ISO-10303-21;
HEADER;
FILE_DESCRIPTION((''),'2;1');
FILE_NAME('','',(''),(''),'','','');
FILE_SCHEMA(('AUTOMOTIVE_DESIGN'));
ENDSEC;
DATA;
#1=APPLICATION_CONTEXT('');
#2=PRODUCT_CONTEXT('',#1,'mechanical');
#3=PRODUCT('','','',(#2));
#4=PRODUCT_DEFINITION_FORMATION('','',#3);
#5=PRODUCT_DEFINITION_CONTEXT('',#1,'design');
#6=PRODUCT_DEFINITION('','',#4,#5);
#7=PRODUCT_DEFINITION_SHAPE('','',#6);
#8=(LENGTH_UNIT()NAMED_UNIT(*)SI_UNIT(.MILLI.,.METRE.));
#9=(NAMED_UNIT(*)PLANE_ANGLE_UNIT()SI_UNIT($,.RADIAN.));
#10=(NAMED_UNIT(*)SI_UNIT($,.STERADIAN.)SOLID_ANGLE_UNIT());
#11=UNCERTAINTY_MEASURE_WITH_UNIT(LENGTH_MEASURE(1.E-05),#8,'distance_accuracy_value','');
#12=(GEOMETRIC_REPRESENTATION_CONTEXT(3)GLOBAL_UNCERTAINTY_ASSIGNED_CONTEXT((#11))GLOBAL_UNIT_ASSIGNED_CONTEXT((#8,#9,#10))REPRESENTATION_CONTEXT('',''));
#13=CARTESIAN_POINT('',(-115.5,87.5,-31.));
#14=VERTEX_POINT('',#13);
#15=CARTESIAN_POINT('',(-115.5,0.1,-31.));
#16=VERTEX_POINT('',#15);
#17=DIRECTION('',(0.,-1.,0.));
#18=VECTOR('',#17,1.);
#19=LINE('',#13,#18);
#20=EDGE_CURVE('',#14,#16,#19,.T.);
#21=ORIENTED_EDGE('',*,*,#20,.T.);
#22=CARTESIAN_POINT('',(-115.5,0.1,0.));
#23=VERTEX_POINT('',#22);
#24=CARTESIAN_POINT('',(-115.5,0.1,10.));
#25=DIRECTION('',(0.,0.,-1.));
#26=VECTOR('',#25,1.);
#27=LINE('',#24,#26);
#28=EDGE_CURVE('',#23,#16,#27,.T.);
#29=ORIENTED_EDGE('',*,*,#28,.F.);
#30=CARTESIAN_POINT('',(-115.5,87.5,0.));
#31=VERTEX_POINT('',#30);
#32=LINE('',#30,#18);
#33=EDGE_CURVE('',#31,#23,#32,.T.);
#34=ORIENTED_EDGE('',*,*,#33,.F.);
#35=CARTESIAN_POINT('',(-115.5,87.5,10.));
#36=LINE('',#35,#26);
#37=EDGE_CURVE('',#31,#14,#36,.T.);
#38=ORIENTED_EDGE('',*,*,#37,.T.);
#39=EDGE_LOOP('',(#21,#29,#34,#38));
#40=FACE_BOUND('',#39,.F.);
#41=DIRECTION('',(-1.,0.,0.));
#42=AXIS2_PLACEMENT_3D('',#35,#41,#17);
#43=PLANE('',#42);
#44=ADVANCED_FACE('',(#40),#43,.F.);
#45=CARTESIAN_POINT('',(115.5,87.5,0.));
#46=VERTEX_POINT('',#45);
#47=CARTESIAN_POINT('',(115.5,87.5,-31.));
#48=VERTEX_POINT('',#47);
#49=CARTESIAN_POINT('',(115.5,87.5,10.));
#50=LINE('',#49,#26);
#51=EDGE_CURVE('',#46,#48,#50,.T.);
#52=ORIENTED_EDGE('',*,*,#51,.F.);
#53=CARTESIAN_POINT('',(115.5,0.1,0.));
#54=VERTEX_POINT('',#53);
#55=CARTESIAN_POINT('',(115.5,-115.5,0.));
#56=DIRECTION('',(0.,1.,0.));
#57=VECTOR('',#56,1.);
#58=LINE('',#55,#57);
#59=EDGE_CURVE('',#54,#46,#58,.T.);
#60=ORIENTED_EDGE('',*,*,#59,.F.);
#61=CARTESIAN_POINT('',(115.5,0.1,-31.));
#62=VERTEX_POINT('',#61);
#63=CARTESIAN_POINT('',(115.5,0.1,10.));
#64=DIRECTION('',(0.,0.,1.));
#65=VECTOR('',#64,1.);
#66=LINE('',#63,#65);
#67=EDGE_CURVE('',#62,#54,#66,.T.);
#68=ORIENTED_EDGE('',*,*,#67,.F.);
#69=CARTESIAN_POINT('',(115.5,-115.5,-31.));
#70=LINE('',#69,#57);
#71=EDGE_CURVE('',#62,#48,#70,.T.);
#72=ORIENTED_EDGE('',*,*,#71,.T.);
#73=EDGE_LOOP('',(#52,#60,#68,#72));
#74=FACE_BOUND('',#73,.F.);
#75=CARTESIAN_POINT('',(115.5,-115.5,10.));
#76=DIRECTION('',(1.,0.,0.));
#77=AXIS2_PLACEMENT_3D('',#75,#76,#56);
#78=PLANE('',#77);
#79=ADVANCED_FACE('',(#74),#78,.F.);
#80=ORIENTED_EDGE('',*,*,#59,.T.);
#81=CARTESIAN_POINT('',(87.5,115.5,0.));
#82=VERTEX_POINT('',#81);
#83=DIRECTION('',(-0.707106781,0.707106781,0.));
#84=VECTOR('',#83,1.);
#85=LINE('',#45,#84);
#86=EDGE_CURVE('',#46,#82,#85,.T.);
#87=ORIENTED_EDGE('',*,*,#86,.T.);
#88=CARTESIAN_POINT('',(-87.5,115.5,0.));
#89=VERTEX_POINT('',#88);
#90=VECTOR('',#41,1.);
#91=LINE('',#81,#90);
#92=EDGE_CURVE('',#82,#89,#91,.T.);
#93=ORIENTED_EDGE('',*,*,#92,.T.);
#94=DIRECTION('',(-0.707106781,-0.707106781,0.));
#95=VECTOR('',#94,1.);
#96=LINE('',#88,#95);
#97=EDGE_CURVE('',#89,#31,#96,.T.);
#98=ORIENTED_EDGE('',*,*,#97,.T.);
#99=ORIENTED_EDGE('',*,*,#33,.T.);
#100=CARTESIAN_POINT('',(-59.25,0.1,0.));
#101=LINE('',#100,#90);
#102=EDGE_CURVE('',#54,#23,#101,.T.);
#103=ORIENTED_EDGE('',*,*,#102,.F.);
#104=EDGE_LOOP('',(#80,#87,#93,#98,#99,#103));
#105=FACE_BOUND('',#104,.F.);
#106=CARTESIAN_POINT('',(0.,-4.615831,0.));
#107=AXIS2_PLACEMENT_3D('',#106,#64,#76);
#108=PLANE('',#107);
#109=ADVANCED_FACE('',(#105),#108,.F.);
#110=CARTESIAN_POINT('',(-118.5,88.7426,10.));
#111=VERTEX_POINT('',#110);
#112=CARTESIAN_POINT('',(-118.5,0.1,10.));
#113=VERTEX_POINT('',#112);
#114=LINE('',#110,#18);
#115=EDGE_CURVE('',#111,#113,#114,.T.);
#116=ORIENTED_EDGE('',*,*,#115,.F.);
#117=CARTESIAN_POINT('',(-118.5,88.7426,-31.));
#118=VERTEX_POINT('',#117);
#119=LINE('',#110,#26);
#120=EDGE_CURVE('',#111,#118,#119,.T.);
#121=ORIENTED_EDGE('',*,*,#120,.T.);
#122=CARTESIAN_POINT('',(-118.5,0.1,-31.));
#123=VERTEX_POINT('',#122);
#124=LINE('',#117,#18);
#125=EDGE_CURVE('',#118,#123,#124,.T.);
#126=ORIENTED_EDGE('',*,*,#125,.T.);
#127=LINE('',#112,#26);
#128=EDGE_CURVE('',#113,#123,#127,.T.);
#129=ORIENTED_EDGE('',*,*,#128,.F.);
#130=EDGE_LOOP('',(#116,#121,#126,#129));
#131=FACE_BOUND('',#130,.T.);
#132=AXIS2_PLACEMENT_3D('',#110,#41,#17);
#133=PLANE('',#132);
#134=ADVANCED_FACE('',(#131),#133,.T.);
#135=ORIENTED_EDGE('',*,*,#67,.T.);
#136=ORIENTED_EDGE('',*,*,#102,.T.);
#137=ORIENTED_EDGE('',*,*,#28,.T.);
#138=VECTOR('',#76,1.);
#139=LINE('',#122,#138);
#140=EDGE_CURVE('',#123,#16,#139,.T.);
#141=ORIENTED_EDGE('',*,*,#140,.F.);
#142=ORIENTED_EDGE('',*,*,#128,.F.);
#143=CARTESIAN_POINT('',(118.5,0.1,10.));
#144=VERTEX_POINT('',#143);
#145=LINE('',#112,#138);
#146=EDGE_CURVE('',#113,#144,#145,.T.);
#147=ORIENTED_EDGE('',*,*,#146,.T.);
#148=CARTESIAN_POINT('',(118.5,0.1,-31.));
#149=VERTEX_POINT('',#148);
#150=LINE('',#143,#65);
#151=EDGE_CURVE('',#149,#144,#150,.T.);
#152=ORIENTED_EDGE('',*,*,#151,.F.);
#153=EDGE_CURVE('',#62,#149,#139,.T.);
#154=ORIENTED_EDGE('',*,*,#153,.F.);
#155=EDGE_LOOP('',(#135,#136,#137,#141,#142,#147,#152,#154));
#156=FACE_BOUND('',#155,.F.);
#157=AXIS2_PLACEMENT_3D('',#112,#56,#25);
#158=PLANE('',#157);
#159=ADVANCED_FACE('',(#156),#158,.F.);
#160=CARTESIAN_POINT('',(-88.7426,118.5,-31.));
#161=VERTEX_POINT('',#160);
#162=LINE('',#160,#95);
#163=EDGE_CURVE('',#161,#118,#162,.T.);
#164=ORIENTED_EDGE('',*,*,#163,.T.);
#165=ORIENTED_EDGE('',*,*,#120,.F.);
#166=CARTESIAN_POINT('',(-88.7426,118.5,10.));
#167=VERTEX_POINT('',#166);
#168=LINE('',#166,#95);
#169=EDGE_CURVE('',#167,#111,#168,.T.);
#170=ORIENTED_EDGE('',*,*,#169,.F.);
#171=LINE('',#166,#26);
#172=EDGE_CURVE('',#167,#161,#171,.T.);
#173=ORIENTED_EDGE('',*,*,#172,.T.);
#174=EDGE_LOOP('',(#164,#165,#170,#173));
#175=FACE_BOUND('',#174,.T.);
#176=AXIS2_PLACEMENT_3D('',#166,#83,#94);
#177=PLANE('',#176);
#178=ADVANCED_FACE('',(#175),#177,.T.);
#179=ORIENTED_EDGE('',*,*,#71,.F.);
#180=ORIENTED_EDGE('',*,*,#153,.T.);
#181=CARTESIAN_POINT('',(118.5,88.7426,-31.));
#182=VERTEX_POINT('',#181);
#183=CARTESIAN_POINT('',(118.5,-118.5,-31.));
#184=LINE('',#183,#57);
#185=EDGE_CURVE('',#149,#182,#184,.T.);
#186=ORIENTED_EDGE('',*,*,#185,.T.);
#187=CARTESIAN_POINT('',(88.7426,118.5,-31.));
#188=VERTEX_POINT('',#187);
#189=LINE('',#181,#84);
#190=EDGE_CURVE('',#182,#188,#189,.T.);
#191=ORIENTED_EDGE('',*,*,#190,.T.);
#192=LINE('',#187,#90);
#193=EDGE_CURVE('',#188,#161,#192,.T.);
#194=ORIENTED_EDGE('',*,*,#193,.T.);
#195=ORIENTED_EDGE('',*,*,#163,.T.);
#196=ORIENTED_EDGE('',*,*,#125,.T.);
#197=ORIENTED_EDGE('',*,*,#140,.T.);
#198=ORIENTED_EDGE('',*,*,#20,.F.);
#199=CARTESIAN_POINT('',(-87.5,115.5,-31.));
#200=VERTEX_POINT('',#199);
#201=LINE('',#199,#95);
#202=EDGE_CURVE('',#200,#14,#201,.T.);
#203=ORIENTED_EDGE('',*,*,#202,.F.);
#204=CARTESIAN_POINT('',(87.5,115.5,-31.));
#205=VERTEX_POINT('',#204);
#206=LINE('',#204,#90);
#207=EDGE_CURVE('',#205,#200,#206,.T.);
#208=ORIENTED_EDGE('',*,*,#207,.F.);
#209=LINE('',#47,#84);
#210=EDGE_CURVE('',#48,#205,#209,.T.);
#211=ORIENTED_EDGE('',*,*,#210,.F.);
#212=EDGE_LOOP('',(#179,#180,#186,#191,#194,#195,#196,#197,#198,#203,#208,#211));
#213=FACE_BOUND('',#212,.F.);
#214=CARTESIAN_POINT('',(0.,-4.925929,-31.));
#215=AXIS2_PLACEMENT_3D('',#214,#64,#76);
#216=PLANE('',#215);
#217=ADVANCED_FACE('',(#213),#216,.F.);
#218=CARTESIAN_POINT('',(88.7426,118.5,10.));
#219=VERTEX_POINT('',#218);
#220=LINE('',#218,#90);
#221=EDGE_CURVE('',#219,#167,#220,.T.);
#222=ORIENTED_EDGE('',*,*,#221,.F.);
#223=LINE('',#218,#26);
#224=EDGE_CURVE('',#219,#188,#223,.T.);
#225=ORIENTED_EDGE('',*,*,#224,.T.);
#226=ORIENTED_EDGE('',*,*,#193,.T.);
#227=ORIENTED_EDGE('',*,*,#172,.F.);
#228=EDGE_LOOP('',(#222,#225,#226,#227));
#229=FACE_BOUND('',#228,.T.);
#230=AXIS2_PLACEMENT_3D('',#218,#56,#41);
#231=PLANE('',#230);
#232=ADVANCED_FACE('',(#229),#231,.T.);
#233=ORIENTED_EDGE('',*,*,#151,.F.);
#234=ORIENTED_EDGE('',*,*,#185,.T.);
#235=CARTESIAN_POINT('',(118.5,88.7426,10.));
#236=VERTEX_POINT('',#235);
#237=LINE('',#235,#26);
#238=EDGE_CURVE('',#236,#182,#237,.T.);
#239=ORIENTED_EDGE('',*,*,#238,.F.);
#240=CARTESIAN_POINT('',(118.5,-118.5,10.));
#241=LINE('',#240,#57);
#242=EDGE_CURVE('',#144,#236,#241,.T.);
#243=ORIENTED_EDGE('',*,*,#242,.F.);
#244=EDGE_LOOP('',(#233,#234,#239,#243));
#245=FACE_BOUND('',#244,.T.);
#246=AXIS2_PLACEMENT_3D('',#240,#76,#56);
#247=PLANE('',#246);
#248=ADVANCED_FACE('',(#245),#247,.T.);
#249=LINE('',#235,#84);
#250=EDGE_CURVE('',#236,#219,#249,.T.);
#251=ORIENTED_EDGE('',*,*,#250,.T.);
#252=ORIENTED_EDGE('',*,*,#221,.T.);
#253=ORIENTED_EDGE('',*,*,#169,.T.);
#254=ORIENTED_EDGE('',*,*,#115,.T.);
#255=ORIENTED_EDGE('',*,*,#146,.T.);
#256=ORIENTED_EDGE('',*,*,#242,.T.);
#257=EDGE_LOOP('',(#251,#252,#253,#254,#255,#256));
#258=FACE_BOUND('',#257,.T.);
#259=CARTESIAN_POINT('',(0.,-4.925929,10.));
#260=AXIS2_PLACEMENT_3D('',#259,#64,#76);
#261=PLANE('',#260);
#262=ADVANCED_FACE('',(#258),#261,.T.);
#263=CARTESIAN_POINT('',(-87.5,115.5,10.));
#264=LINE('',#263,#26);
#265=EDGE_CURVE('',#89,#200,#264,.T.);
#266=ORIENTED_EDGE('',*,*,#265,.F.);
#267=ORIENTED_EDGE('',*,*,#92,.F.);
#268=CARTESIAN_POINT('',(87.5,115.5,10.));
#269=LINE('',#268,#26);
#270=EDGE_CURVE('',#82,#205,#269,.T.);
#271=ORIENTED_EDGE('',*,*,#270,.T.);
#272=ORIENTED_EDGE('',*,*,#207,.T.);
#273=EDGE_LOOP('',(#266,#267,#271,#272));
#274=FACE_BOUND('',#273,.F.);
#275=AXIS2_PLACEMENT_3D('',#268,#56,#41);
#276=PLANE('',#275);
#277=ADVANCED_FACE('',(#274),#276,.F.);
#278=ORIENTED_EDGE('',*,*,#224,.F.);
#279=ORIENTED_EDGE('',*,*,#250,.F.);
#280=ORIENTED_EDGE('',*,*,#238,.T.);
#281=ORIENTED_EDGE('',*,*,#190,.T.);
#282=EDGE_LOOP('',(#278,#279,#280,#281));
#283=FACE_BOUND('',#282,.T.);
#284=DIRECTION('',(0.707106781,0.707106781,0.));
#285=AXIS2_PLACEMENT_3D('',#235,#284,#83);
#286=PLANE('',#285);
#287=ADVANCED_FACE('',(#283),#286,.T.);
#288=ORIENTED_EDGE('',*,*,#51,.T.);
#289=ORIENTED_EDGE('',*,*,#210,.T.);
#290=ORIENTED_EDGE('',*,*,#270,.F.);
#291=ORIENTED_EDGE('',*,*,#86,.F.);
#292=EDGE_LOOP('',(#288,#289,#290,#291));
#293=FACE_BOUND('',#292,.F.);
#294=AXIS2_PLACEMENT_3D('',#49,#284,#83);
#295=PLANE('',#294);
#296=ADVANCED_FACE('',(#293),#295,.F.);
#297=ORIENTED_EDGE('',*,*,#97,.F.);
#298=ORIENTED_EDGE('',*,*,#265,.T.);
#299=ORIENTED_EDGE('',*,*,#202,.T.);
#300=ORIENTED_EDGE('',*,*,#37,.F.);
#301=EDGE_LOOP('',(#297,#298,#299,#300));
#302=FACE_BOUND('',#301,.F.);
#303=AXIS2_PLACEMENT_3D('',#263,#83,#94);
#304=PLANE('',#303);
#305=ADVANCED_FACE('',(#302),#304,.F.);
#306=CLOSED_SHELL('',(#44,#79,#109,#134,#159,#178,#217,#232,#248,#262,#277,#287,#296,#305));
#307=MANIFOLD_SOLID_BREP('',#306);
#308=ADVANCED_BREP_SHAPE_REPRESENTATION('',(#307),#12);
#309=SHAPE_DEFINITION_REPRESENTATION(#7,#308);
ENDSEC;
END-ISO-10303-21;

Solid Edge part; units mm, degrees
sketch "Sketch1" plane through (0, 0, 0) normal (0, 0, 1) x (1, 0, 0)
  line L0 (-115.5, -115.5) -> (115.5, -115.5)
  line L1 (115.5, -115.5) -> (115.5, 87.5)
  line L2 (115.5, 87.5) -> (87.5, 115.5)
  line L3 (87.5, 115.5) -> (-87.5, 115.5)
  line L4 (-87.5, 115.5) -> (-115.5, 87.5)
  line L5 (-115.5, 87.5) -> (-115.5, -115.5)
extrude "Protrusion1" add sketch "Sketch1" along normal blind 10
sketch "Sketch2" plane through (0, 0, 10) normal (0, 0, 1) x (1, 0, 0)
  line L0 (88.7426, 118.5) -> (-88.7426, 118.5)
  line L1 (-88.7426, 118.5) -> (-118.5, 88.7426)
  line L2 (-118.5, 88.7426) -> (-118.5, -118.5)
  line L3 (-118.5, -118.5) -> (118.5, -118.5)
  line L4 (118.5, -118.5) -> (118.5, 88.7426)
  line L5 (118.5, 88.7426) -> (88.7426, 118.5)
  line L6 (87.5, 115.5) -> (-87.5, 115.5)
  line L7 (-87.5, 115.5) -> (-115.5, 87.5)
  line L8 (-115.5, 87.5) -> (-115.5, -115.5)
  line L9 (-115.5, -115.5) -> (115.5, -115.5)
  line L10 (115.5, -115.5) -> (115.5, 87.5)
  line L11 (115.5, 87.5) -> (87.5, 115.5)
  dimension "D1" = 3
  dimension "D2" = 3
extrude "Protrusion2" add sketch "Sketch2" against normal blind 41
sketch "Sketch3" plane through (-118.5, -14.8787, -10.5) normal (-1, 0, 0) x (0, -1, 0)
  line L0 (103.6213, 20.5) -> (-14.9787, 20.5)
  line L1 (-14.9787, 20.5) -> (-14.9787, -20.5)
  line L2 (-14.9787, -20.5) -> (103.6213, -20.5)
  line L3 (103.6213, -20.5) -> (103.6213, 20.5)
extrude "Cutout1" cut sketch "Sketch3" against normal blind 280
